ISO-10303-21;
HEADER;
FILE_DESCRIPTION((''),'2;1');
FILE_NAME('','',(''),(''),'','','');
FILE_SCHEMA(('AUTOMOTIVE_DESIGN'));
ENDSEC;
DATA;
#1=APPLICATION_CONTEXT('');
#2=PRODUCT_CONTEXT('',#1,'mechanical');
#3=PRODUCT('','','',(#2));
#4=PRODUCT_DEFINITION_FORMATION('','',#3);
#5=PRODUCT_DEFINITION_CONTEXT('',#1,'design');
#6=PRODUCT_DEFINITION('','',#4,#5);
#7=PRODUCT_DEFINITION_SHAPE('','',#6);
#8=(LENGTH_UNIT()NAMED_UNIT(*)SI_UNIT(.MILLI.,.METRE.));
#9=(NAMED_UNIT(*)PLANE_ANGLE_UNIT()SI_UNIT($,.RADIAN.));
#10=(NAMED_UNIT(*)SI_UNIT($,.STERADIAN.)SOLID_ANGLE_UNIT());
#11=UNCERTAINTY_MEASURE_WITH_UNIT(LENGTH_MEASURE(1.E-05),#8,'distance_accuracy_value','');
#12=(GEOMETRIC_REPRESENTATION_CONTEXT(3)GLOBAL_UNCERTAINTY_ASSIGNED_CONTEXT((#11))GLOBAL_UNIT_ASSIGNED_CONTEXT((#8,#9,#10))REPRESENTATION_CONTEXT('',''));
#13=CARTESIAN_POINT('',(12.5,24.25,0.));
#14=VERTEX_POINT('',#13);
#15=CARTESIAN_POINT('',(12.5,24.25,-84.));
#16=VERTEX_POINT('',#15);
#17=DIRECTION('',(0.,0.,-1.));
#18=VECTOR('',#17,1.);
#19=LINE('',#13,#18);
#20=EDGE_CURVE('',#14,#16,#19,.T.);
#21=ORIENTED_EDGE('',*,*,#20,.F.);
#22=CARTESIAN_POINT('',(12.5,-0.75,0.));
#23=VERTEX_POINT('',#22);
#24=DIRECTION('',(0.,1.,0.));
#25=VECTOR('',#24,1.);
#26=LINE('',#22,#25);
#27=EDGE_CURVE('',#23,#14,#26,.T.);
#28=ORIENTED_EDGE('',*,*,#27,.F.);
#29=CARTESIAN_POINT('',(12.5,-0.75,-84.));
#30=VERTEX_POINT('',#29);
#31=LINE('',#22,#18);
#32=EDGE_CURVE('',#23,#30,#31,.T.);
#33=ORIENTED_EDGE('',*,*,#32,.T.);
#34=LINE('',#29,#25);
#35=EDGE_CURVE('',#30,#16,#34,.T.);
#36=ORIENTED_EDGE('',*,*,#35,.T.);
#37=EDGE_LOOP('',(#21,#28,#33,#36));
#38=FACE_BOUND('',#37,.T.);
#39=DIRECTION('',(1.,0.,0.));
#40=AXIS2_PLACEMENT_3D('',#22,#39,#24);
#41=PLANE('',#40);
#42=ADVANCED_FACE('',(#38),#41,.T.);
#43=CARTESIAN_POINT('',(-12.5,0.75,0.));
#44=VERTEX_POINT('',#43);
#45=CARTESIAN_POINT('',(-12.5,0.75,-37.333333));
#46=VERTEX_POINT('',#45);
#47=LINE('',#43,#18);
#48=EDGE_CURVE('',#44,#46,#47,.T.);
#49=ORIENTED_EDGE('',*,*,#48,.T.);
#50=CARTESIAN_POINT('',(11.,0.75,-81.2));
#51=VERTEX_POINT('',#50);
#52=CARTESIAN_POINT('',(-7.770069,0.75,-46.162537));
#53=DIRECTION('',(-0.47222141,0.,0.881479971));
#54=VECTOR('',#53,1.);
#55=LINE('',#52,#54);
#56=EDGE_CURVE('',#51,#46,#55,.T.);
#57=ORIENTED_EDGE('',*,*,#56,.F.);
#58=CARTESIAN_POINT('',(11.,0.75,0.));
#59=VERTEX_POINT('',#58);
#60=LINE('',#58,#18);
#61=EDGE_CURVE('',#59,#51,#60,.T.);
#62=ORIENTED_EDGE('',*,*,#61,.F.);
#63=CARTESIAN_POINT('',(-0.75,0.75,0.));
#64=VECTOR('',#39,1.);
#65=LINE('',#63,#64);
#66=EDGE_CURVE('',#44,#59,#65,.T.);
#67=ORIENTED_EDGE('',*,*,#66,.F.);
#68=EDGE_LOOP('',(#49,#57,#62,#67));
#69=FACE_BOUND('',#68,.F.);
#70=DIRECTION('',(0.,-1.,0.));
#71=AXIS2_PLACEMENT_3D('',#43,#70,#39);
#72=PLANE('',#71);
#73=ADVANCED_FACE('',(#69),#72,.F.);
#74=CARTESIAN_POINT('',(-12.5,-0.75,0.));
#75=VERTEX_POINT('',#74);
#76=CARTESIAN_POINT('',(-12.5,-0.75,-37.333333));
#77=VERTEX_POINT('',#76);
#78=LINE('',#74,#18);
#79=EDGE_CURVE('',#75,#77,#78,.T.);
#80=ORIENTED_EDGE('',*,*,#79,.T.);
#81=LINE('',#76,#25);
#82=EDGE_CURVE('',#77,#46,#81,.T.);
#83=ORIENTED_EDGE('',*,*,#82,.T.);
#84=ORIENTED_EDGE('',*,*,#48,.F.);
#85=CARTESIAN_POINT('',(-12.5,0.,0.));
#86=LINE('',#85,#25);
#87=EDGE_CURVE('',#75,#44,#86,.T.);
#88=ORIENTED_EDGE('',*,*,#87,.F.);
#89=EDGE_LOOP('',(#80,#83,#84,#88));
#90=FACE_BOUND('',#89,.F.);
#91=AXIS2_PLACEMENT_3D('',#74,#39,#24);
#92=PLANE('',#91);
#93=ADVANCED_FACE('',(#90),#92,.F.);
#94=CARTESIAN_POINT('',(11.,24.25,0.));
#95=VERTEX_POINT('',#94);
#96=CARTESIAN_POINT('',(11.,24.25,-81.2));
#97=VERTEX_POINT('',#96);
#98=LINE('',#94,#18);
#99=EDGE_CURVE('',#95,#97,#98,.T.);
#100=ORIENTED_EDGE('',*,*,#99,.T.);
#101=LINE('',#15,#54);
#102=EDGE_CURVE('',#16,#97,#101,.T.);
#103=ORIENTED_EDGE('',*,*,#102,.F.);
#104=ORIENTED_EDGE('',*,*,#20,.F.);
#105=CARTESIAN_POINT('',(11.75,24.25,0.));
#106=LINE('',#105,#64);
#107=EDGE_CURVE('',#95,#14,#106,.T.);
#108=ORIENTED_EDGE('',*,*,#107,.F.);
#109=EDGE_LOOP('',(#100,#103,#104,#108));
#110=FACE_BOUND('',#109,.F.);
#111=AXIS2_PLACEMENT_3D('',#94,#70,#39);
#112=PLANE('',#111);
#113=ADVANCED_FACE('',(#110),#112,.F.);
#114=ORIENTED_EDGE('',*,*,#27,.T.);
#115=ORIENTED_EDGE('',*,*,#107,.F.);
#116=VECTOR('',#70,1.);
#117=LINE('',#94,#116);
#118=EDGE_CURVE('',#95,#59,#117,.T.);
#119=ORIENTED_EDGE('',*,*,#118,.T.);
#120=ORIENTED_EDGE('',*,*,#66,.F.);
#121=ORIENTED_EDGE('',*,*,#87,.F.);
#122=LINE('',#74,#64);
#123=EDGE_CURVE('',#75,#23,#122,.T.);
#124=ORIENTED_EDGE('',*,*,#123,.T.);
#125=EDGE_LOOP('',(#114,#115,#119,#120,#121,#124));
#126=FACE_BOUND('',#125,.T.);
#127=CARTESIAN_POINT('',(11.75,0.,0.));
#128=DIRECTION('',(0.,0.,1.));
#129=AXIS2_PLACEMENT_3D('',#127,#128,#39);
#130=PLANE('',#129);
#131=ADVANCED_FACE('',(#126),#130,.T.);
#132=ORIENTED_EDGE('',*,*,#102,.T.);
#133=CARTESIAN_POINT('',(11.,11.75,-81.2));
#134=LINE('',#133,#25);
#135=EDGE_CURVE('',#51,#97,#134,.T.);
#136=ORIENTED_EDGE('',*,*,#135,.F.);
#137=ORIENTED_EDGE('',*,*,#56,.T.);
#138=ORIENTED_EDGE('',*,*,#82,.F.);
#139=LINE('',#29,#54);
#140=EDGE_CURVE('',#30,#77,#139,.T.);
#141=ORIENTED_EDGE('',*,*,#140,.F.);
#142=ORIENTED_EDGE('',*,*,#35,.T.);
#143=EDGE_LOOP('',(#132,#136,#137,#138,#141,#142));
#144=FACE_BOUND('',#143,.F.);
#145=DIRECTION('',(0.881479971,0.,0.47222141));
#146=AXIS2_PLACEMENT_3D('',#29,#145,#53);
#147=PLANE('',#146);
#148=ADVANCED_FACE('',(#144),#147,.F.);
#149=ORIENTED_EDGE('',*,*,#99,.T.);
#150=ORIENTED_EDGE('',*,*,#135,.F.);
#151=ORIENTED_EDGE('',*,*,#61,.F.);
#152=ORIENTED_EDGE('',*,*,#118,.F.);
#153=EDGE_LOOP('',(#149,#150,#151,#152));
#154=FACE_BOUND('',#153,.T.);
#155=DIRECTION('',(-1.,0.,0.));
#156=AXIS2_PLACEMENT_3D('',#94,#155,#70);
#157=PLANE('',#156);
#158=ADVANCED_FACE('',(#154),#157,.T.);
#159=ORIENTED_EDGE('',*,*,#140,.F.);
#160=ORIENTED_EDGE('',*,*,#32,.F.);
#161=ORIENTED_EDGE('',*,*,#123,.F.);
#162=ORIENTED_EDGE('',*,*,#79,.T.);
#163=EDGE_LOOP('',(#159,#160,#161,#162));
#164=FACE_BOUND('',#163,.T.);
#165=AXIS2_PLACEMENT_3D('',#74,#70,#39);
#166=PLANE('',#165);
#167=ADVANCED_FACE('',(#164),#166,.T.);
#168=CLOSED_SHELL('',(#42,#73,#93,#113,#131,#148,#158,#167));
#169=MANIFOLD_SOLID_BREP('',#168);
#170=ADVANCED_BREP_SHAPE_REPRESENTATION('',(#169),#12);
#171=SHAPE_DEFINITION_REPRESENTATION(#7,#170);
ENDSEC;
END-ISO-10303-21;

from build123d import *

# Parameters (mm, degrees)
F0_W     = 1.5
F0_H     = 1.5
F0_H_2   = 23.5
F0_W_2   = 23.5
F1_DEPTH = 84
F3_DEPTH = 25


with BuildPart() as f1:
    # F0 (on Top) → F1 (new body)
    with BuildSketch(Plane.XY):
        with Locations((11.75, 0)):
            Rectangle(F0_W, F0_H)
        with Locations((11.75, 12.5)):
            Rectangle(F0_W, F0_H_2)
        with Locations((-0.75, 0)):
            Rectangle(F0_W_2, F0_H)
    extrude(amount=-F1_DEPTH)

    # F2 (on face) → F3 (cut)
    with BuildSketch(Plane.XZ.offset(0.75)):
        Polygon((-12.5, -84), (12.5, -84), (-12.5, -37.333333), align=None)
    extrude(amount=-F3_DEPTH, mode=Mode.SUBTRACT)


solid = f1.part
